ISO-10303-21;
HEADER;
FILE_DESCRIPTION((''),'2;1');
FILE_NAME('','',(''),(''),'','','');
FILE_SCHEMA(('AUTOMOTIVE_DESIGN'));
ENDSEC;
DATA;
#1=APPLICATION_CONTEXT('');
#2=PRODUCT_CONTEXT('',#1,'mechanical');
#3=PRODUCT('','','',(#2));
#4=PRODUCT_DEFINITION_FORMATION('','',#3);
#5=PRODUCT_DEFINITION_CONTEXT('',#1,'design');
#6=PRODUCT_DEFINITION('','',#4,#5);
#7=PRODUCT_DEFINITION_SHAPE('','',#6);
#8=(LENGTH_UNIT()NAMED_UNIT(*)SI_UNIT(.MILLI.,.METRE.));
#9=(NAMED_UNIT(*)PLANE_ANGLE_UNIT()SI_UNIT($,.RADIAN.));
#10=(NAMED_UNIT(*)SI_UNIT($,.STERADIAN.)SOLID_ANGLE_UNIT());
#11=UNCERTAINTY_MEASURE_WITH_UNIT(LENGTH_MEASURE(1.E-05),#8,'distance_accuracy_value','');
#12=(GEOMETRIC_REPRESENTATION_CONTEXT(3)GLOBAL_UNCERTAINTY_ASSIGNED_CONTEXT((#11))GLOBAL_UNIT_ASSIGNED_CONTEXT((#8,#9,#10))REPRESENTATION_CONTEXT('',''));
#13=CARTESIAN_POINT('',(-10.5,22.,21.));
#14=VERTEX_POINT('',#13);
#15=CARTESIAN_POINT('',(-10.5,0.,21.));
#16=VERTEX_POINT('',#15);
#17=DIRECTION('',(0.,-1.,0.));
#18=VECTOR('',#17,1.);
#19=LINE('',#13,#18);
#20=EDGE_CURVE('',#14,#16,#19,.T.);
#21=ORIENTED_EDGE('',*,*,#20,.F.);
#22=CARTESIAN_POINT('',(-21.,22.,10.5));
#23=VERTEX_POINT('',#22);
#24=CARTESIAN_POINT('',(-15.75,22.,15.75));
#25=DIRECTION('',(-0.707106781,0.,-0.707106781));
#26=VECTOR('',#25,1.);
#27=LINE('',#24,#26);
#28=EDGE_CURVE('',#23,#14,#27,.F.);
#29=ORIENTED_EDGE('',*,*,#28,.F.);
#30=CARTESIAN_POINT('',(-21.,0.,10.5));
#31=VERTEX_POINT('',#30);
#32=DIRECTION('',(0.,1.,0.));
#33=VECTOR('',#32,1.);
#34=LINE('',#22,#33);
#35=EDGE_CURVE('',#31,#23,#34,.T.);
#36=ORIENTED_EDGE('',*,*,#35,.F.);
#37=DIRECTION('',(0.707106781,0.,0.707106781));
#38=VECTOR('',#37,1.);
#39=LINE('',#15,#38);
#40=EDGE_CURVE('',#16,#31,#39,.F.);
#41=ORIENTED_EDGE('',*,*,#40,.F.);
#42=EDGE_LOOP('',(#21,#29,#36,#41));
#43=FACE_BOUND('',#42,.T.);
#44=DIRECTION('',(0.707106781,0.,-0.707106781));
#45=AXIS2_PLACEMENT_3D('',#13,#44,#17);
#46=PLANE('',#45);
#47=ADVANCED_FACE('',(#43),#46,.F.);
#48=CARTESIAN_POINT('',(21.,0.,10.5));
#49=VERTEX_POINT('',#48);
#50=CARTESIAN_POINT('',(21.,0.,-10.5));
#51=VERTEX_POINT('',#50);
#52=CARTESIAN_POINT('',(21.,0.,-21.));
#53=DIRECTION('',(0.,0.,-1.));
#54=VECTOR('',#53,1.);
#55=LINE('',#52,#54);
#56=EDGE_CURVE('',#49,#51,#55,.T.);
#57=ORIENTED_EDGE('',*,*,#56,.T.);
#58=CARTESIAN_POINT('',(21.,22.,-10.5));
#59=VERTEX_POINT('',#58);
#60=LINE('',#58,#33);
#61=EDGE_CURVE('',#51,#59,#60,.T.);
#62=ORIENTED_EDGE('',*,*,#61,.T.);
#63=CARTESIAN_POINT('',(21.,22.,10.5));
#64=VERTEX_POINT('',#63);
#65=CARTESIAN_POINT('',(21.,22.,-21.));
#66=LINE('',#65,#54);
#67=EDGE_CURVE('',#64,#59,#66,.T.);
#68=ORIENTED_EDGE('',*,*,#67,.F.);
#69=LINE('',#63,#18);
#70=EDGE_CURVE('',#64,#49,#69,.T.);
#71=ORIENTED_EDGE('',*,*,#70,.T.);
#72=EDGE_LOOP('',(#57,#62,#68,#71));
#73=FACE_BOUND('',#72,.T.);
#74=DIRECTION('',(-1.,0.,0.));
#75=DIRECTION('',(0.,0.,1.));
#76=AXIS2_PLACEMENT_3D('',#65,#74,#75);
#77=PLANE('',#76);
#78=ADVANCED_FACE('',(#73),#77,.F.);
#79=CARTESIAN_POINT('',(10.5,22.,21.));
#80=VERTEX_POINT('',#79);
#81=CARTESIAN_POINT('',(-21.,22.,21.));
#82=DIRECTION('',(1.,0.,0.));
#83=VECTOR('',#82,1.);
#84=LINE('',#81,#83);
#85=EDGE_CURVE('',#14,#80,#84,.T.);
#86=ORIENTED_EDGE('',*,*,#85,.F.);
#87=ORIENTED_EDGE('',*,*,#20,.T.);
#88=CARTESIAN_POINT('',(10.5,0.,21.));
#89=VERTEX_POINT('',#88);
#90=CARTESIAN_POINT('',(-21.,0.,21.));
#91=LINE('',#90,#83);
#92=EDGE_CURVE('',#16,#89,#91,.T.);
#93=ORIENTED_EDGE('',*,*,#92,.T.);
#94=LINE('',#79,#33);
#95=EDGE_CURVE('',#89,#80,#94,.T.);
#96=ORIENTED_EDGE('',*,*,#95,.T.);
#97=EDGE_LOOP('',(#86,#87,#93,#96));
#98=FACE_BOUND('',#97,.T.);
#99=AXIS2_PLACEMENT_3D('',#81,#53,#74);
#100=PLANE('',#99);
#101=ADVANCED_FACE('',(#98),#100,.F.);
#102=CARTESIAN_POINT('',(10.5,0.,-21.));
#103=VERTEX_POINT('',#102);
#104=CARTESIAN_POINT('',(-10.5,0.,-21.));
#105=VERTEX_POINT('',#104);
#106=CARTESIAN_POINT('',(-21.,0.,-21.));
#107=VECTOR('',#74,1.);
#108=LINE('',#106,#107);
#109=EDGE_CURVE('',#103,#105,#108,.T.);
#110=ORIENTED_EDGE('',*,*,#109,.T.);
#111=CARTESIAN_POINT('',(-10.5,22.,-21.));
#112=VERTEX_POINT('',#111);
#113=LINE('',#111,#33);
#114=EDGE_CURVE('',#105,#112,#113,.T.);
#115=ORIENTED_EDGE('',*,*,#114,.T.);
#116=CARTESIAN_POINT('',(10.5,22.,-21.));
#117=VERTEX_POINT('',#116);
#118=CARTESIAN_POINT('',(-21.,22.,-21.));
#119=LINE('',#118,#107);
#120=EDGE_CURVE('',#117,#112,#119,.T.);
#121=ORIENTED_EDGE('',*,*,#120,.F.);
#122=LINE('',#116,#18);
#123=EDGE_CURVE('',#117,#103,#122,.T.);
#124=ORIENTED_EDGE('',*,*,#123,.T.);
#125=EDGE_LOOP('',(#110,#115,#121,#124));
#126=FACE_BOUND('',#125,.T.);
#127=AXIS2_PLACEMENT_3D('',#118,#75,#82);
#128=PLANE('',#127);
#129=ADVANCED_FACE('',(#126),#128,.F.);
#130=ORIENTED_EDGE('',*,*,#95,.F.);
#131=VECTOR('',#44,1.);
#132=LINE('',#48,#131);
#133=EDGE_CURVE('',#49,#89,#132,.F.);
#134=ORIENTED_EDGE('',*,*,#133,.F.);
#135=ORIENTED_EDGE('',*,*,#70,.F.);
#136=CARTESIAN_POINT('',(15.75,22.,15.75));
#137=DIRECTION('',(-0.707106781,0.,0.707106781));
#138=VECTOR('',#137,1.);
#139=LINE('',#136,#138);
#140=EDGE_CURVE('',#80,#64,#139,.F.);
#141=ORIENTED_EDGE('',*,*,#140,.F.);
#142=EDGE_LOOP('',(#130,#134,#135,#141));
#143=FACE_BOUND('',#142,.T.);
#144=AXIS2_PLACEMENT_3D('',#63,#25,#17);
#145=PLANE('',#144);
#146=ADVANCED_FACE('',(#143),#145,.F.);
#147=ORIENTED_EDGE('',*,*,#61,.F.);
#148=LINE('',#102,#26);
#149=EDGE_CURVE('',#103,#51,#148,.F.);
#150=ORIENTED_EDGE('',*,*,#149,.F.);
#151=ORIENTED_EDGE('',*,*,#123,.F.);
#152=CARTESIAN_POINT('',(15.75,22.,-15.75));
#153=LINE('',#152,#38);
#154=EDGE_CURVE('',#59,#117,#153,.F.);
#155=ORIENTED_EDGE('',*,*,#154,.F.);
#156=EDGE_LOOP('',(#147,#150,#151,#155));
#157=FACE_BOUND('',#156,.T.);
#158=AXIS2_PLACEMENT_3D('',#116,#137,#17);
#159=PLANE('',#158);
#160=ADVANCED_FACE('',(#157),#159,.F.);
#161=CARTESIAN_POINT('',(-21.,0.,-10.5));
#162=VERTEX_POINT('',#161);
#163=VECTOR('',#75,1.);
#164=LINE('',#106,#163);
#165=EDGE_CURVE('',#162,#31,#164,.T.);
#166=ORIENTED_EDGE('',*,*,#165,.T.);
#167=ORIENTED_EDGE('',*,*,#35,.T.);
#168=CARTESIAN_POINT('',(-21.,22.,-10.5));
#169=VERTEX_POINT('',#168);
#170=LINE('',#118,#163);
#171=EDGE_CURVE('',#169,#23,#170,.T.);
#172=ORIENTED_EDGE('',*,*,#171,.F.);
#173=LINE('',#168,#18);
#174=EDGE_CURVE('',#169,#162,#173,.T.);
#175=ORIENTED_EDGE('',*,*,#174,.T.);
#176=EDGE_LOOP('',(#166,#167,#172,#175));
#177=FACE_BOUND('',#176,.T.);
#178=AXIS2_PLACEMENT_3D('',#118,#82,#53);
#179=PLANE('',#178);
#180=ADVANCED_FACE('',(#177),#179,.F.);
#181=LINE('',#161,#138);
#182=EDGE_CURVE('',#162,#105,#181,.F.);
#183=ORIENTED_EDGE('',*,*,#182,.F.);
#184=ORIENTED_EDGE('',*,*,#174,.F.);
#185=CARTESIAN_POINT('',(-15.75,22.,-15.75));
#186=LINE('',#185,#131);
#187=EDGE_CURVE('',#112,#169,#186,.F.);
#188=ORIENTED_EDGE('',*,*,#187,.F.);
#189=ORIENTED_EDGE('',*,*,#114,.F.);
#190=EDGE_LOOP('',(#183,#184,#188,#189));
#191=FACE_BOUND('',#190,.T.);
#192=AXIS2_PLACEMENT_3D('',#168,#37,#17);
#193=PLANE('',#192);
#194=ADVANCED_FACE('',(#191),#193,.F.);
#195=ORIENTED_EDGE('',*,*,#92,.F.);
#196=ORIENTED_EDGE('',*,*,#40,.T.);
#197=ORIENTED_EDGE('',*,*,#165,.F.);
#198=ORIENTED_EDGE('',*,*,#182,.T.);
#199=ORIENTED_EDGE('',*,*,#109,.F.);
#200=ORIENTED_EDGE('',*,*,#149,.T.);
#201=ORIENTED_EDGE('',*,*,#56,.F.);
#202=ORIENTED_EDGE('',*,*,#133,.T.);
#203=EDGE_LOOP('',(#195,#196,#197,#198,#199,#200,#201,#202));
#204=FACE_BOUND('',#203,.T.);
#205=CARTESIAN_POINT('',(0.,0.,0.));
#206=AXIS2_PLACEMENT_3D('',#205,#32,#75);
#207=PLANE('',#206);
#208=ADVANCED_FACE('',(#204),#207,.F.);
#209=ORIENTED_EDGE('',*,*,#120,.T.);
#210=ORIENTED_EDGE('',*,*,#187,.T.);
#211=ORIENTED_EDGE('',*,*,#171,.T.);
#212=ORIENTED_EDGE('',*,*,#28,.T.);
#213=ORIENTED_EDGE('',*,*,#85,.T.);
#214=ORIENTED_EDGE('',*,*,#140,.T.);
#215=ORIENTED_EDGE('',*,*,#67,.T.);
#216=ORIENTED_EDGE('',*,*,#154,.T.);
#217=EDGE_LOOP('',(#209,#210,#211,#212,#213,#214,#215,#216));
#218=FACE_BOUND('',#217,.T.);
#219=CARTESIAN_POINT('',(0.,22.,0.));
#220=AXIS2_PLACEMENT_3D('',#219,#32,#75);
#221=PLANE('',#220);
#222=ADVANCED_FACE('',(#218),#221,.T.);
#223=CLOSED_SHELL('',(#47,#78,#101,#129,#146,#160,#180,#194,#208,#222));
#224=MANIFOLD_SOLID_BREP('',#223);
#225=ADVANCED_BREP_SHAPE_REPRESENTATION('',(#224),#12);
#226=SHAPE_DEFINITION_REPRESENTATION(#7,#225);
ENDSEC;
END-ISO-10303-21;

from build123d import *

# Parameters (mm, degrees)
SKETCH1_W     = 42
SKETCH1_H     = 42
NEMA_17_DEPTH = 22
CHAMFER1_SIZE = 10.5


with BuildPart() as part:
    # Sketch1 → Nema 17 (new body)
    with BuildSketch(Plane(origin=(0, 0, 0), x_dir=(1, 0, 0), z_dir=(0, 1, 0))):
        Rectangle(SKETCH1_W, SKETCH1_H)
    extrude(amount=NEMA_17_DEPTH)

    # Chamfer1
    chamfer1_edges = [part.edges().sort_by_distance(p)[0] for p in [
        (21, 11, 21),
        (-21, 11, 21),
        (-21, 11, -21),
        (21, 11, -21),
    ]]
    chamfer(chamfer1_edges, length=CHAMFER1_SIZE)


solid = part.part
